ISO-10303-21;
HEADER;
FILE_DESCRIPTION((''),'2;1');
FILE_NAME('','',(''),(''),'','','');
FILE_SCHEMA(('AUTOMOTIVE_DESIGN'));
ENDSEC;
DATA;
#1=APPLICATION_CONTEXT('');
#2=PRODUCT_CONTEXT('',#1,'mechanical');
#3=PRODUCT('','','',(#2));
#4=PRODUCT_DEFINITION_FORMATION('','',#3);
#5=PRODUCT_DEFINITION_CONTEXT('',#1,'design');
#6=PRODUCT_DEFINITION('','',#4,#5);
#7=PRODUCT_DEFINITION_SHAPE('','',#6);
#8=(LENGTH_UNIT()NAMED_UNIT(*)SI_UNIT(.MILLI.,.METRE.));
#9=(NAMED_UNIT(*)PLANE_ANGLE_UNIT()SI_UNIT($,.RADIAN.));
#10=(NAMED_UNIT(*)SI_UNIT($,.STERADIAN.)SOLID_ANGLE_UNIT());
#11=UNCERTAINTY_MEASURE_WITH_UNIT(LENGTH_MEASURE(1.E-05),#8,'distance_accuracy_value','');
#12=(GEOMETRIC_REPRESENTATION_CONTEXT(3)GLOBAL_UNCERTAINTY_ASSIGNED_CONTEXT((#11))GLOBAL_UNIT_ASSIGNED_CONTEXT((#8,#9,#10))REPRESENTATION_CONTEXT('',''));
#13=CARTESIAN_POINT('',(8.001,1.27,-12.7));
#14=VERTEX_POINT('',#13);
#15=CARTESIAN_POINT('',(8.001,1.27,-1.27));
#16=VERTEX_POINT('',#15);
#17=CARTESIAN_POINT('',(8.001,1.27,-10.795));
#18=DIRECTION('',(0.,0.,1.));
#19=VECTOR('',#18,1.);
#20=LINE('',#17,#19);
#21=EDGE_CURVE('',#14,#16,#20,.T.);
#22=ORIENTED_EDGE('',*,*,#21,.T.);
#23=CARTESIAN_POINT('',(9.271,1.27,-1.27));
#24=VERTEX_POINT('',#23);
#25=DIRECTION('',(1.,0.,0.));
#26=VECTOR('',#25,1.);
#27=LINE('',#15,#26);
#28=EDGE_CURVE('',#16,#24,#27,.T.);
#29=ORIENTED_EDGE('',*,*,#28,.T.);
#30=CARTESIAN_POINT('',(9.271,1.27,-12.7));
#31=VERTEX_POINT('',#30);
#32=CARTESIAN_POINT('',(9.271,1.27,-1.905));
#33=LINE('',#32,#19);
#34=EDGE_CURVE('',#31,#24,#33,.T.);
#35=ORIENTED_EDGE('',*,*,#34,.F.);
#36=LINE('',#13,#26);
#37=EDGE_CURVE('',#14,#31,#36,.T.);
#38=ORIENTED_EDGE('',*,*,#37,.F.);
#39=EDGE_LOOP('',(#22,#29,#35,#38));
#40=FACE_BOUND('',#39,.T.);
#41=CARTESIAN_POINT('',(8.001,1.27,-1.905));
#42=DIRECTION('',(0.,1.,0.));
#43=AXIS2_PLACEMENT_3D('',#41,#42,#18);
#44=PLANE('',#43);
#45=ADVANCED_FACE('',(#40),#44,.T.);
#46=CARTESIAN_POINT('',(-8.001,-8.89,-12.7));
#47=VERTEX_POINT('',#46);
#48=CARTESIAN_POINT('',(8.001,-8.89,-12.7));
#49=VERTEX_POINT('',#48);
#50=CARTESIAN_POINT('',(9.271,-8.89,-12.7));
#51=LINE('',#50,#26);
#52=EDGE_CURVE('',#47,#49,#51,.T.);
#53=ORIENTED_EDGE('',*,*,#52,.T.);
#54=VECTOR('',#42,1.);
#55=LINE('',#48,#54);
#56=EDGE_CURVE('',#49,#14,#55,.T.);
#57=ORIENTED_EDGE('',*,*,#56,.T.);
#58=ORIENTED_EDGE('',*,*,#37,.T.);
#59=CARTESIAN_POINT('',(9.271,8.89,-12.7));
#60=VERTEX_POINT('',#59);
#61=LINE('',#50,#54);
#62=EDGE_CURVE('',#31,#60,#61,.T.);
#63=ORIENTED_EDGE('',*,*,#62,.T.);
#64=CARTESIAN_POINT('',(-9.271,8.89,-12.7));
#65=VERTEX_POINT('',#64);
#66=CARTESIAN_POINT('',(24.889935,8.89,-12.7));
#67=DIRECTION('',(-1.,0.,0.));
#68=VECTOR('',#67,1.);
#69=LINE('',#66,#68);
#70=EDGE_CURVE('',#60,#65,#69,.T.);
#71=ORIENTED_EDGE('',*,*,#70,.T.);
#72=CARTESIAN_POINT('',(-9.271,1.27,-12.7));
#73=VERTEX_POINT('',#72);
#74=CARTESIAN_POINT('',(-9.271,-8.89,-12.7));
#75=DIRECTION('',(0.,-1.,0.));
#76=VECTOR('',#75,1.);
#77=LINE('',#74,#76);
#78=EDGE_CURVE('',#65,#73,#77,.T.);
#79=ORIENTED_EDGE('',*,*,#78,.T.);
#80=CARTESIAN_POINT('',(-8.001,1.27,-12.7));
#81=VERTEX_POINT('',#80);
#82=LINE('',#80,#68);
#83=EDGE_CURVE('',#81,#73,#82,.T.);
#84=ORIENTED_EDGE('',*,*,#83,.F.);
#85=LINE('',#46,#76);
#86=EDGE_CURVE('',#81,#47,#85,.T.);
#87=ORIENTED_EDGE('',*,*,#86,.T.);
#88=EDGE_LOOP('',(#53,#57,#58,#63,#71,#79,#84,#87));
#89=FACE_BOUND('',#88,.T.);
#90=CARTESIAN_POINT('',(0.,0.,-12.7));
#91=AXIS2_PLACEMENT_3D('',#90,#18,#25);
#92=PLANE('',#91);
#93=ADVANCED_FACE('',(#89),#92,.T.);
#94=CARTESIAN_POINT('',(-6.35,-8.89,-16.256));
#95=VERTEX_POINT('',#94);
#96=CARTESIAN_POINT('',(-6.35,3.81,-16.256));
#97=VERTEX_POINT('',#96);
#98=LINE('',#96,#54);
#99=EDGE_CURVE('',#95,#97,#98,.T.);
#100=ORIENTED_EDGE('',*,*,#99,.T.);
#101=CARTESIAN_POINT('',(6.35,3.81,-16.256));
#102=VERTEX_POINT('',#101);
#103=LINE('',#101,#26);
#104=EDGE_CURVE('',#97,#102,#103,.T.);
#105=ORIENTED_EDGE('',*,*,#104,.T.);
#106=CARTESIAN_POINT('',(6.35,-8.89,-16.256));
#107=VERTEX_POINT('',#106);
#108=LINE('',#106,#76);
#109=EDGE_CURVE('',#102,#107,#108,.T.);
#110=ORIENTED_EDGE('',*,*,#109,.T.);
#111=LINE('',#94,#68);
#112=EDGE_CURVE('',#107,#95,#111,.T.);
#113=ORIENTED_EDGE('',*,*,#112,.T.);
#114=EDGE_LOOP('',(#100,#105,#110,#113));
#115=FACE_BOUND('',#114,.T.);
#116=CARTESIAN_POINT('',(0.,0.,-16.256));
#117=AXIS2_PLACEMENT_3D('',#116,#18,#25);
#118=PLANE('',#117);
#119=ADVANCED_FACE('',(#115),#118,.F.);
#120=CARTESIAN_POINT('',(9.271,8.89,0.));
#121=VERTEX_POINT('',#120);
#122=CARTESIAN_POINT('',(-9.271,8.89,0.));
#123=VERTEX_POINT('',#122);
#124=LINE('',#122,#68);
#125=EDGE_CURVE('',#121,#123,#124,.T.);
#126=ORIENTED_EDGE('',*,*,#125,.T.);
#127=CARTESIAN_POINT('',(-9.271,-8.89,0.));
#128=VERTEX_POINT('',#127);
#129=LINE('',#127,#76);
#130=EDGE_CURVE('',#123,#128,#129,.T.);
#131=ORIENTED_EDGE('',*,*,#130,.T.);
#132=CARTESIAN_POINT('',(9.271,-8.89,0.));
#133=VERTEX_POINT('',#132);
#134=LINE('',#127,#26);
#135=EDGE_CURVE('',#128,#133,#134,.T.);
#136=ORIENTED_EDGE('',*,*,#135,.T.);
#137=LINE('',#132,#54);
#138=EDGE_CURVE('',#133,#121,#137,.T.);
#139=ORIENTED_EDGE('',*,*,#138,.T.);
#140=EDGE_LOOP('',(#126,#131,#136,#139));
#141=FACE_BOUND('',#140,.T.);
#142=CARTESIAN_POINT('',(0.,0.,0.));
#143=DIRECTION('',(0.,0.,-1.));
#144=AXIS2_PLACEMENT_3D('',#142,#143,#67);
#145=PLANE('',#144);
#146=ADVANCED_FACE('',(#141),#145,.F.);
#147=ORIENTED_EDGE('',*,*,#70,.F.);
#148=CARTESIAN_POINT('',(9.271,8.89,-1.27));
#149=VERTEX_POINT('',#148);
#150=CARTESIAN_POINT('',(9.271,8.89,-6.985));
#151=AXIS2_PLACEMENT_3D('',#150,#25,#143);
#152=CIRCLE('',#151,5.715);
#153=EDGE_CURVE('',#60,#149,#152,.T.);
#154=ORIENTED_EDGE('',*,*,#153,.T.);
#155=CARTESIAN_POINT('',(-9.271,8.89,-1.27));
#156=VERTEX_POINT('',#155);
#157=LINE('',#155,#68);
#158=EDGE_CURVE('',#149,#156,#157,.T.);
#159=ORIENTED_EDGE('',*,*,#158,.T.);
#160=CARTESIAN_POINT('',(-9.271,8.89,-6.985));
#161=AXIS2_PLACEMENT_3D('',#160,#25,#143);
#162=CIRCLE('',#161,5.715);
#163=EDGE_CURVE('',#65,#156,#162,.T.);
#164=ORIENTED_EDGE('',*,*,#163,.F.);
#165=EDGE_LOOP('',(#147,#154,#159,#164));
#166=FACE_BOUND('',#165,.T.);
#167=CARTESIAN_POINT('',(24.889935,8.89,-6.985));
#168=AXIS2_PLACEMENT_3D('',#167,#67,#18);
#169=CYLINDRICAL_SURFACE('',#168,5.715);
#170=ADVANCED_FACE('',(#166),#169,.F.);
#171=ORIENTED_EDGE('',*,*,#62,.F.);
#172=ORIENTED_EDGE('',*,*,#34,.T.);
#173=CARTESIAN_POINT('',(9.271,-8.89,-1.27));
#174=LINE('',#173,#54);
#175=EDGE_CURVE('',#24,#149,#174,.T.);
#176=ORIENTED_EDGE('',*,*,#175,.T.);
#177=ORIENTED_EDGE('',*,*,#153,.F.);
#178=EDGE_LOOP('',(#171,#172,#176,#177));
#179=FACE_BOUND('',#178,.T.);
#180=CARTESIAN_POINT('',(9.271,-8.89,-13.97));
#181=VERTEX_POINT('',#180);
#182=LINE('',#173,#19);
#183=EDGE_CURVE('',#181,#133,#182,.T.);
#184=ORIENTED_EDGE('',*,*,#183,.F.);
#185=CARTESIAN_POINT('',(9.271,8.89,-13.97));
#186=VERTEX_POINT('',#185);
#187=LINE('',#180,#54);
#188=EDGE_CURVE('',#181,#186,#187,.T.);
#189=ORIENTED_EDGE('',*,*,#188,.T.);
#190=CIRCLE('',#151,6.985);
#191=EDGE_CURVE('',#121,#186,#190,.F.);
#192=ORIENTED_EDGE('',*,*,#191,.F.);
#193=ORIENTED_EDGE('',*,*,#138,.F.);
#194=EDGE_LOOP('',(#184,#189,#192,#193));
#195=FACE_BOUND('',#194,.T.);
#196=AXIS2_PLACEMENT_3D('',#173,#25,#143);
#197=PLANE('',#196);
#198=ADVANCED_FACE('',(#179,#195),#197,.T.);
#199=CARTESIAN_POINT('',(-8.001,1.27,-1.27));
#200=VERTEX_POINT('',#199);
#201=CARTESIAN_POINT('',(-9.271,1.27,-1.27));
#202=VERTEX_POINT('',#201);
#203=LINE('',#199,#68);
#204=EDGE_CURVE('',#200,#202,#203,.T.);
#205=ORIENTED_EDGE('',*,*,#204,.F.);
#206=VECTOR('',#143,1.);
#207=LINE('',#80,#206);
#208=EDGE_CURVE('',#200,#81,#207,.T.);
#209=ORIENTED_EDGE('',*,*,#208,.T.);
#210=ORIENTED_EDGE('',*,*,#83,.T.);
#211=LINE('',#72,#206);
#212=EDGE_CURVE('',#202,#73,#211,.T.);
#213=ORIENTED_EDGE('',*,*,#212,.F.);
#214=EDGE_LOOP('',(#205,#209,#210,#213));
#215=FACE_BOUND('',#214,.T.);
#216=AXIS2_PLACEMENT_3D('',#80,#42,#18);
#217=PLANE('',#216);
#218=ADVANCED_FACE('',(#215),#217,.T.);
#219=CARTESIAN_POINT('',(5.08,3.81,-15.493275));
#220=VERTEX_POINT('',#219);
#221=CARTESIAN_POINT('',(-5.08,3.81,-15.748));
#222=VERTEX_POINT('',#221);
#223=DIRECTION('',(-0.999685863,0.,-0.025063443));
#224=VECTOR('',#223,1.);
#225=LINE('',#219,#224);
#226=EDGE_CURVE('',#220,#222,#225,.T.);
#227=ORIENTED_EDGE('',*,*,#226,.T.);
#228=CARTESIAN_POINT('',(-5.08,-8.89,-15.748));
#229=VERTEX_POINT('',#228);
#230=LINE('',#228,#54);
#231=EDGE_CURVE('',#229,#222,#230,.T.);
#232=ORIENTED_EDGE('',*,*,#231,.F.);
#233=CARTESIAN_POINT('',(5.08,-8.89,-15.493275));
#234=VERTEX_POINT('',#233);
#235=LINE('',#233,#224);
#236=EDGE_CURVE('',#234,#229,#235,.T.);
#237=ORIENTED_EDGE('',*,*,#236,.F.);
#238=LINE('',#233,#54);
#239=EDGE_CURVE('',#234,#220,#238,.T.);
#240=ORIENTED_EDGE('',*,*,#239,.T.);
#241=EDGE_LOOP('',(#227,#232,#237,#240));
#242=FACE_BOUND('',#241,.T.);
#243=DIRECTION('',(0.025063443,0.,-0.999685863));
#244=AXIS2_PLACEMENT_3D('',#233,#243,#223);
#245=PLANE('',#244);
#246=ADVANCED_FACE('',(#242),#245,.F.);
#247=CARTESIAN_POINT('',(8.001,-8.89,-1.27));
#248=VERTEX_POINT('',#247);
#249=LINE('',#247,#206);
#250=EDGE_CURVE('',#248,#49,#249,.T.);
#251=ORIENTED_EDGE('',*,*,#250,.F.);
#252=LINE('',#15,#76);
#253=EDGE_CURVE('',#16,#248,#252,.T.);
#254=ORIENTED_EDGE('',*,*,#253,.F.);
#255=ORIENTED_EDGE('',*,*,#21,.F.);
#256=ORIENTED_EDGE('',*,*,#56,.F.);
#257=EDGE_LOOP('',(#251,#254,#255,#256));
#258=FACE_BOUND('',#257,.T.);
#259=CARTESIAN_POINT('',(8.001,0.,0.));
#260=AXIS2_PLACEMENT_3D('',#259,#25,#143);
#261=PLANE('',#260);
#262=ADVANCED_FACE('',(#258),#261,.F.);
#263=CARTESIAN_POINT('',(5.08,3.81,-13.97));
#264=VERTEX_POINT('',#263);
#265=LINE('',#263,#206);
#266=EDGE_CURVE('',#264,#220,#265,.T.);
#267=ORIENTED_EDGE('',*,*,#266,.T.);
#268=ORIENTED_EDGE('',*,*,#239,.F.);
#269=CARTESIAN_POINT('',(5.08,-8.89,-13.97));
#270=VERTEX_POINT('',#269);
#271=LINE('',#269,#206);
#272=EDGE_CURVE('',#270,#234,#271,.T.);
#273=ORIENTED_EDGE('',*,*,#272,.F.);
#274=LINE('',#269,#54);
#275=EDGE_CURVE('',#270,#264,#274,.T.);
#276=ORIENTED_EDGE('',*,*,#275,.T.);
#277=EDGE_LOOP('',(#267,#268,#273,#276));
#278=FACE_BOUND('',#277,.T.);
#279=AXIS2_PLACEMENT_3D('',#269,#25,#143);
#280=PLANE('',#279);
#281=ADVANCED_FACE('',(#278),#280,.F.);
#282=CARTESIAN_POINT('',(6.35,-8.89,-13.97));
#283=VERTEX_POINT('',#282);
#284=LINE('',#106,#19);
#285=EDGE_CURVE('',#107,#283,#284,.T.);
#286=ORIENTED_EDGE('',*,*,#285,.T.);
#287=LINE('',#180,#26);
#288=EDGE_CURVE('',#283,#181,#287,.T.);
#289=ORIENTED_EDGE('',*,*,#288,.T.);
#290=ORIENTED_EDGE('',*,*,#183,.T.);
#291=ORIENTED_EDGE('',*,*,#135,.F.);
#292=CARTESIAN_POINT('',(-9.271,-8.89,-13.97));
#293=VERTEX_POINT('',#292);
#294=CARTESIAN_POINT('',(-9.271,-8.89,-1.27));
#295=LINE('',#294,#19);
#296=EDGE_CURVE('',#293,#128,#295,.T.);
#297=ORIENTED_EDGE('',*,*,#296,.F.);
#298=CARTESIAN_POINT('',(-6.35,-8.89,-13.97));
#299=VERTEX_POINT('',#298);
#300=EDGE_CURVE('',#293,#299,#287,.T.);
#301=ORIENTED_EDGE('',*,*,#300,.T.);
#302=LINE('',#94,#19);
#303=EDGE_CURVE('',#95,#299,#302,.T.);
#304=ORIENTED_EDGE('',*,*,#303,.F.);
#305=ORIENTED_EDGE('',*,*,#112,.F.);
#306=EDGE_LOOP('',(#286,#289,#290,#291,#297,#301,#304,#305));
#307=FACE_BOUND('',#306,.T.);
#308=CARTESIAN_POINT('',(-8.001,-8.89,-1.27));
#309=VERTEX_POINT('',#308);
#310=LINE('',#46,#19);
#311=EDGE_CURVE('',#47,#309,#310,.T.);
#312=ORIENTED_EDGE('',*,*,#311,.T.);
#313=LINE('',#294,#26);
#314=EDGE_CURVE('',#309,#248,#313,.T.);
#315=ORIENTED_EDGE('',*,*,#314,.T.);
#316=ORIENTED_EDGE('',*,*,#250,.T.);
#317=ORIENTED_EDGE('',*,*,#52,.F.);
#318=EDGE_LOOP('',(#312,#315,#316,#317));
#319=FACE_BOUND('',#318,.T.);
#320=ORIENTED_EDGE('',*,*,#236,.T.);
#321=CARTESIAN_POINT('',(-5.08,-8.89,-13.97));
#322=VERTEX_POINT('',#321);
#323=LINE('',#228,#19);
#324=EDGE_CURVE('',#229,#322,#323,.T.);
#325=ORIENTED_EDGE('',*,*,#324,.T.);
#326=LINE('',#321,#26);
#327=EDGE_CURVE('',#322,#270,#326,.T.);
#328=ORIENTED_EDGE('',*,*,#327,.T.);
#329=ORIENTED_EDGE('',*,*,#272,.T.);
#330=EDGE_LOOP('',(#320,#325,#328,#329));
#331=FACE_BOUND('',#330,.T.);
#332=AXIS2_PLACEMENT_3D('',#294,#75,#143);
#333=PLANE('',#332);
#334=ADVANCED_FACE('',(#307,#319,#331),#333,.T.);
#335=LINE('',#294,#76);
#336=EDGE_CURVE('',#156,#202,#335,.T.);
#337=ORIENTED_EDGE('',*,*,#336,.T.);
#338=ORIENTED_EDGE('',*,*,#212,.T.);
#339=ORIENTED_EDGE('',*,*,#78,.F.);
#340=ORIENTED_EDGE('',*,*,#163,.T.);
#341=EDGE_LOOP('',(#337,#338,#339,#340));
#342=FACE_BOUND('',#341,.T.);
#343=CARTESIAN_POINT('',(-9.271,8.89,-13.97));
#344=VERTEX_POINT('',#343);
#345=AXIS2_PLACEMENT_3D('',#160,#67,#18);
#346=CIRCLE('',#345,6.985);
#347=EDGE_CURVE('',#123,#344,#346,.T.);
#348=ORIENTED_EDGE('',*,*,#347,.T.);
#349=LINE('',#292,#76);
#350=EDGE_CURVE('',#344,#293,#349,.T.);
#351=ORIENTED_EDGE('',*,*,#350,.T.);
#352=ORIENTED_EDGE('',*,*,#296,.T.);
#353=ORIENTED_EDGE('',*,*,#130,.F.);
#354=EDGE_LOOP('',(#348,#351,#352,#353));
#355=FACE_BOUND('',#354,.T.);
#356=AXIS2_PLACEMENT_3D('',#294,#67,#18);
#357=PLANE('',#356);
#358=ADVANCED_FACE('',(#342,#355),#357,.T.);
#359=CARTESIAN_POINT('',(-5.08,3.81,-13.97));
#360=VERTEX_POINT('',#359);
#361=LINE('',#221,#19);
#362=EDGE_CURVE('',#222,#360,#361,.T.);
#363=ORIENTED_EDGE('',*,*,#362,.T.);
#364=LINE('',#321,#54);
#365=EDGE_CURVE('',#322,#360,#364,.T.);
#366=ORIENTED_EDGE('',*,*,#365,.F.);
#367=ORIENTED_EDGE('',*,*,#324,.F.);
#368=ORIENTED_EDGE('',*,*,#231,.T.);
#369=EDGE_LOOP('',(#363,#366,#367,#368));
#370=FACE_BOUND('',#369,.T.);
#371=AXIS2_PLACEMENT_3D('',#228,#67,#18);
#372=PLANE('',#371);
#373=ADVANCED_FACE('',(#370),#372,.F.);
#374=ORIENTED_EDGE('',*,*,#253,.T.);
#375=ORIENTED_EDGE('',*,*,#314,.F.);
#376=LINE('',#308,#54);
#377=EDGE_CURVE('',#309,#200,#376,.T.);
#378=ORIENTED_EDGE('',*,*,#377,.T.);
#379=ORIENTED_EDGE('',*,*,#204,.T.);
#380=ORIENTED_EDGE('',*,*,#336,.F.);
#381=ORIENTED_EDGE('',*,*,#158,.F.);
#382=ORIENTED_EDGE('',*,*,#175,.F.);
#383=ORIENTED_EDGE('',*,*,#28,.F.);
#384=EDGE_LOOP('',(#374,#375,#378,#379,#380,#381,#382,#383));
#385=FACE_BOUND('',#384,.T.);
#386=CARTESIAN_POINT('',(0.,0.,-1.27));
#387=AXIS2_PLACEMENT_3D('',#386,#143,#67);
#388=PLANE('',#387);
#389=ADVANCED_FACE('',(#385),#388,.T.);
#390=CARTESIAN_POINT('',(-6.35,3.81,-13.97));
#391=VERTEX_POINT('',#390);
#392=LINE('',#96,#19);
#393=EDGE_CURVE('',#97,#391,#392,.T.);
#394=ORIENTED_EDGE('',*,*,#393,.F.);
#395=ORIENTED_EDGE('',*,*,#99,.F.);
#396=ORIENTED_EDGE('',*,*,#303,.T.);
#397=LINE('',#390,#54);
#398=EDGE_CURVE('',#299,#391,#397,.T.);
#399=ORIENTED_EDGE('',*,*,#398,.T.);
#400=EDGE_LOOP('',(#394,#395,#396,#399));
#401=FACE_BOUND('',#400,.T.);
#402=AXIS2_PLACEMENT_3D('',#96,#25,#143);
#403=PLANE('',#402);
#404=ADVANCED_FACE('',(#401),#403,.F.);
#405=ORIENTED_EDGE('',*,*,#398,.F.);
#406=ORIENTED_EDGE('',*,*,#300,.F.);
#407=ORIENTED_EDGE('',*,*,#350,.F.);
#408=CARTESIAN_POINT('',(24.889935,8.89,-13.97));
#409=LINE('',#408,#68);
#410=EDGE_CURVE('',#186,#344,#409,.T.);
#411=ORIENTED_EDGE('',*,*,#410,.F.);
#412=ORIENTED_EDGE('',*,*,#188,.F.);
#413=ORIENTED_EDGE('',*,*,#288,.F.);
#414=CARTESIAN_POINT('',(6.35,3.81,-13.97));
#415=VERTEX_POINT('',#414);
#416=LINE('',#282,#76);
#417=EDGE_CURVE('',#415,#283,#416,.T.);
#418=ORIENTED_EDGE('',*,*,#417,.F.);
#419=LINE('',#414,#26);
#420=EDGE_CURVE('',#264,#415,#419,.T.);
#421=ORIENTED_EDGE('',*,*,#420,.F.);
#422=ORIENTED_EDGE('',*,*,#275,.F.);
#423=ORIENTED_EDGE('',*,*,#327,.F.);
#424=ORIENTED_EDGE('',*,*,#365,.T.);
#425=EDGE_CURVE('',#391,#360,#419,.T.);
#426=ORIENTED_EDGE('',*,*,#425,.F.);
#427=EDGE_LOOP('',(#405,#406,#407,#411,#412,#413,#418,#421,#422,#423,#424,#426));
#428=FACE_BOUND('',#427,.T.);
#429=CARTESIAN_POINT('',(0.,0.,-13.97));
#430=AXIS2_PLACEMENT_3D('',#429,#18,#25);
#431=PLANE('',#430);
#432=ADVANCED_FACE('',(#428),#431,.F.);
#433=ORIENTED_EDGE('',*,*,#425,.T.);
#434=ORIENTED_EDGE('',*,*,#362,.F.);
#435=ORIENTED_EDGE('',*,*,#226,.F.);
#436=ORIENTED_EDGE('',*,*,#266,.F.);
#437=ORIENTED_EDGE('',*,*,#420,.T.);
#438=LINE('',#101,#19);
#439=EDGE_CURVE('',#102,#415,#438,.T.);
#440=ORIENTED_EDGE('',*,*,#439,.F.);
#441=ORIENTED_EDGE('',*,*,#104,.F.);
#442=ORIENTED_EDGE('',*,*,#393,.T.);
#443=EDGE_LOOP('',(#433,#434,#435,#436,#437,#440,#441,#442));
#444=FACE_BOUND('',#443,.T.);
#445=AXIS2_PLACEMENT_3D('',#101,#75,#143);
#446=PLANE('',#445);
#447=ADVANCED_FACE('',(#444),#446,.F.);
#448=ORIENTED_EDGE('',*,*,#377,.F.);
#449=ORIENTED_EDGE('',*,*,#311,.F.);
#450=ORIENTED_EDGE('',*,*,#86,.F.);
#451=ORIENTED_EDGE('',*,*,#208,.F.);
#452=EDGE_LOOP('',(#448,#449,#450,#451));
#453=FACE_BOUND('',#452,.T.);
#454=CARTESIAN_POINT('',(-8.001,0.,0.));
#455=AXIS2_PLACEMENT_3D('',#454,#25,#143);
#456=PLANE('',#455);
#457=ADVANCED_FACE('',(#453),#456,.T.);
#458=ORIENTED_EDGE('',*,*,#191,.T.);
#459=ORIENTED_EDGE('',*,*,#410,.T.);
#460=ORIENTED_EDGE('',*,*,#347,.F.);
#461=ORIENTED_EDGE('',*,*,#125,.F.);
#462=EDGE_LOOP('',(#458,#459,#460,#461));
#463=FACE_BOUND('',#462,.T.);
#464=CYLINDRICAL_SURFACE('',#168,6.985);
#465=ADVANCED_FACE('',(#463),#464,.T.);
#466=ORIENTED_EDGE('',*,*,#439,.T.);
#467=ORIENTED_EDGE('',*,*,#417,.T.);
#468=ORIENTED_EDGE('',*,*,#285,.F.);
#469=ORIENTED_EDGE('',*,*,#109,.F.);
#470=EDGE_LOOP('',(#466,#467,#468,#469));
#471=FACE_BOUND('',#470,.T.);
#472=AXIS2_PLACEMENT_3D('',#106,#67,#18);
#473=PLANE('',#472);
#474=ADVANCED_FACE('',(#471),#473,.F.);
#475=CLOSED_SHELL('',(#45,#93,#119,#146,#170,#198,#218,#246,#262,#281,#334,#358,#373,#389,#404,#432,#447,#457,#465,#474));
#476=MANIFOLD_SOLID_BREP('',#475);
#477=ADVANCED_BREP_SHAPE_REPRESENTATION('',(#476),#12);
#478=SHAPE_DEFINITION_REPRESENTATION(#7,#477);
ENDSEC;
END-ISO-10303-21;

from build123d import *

# Parameters (mm, degrees)
SKETCH1_W            = 18.542
SKETCH1_H            = 17.78
BOSS_EXTRUDE4_DEPTH  = 1.27
SKETCH4_W            = 18.542
SKETCH4_H            = 17.78
BOSS_EXTRUDE5_DEPTH  = 1.27
BOSS_EXTRUDE6_DEPTH  = 18.542
SKETCH7_W            = 11.43
SKETCH7_H            = 10.16
BOSS_EXTRUDE7_DEPTH  = 1.27
SKETCH12_W           = 12.7
SKETCH12_H           = 12.7
BOSS_EXTRUDE11_DEPTH = 2.286
CUT_EXTRUDE2_DEPTH   = 23.616343139
BOSS_EXTRUDE12_DEPTH = 1.27


with BuildPart() as part:
    # Sketch1 → Boss-Extrude4 (new body)
    with BuildSketch(Plane.XY):
        Rectangle(SKETCH1_W, SKETCH1_H)
    extrude(amount=-BOSS_EXTRUDE4_DEPTH)



with BuildPart() as body_2:
    # Sketch4 → Boss-Extrude5 (new body)
    with BuildSketch(Plane.XY.offset(-13.97)):
        Rectangle(SKETCH4_W, SKETCH4_H)
    extrude(amount=BOSS_EXTRUDE5_DEPTH)


with BuildPart() as part_1:
    add(part.part)

    add(body_2.part)  # Boss-Extrude6 merges body 2
    # Sketch6 → Boss-Extrude6 (add)
    with BuildSketch(Plane.ZY.offset(9.271)):
        with BuildLine():
            Line((-13.97, 8.89), (-12.7, 8.89))
            ThreePointArc((-12.7, 8.89), (-6.985, 14.605), (-1.27, 8.89))
            Line((-1.27, 8.89), (0, 8.89))
            ThreePointArc((0, 8.89), (-6.985, 15.875), (-13.97, 8.89))
        make_face()
    extrude(amount=-BOSS_EXTRUDE6_DEPTH)

    # Sketch7 → Boss-Extrude7 (add)
    with BuildSketch(Plane.ZY.offset(9.271)):
        with Locations((-6.985, -3.81)):
            Rectangle(SKETCH7_W, SKETCH7_H)
    extrude(amount=-BOSS_EXTRUDE7_DEPTH)

    # Sketch12 → Boss-Extrude11 (add)
    with BuildSketch(Plane(origin=(0, 0, -13.97), x_dir=(-1, 0, 0), z_dir=(0, 0, -1))):
        with Locations((0, -2.54)):
            Rectangle(SKETCH12_W, SKETCH12_H)
    extrude(amount=BOSS_EXTRUDE11_DEPTH)

    # Sketch13 → Cut-Extrude2 (cut, through all)
    with BuildSketch(Plane(origin=(0, 3.81, 0), x_dir=(1, 0, 0), z_dir=(0, 1, 0))):
        Polygon((-5.08, 13.97), (5.08, 13.97), (5.08, 15.493275397), (-5.08, 15.748), align=None)
    extrude(amount=-CUT_EXTRUDE2_DEPTH, mode=Mode.SUBTRACT)

    # Sketch8 → Boss-Extrude12 (add)
    with BuildSketch(Plane(origin=(9.271, 0, 0), x_dir=(0, 0, -1), z_dir=(1, 0, 0))):
        Polygon((1.905, 1.27), (1.27, 1.27), (1.27, -8.89), (12.7, -8.89), (12.7, 1.27), (10.795, 1.27), align=None)
    extrude(amount=-BOSS_EXTRUDE12_DEPTH)


solid = part_1.part
